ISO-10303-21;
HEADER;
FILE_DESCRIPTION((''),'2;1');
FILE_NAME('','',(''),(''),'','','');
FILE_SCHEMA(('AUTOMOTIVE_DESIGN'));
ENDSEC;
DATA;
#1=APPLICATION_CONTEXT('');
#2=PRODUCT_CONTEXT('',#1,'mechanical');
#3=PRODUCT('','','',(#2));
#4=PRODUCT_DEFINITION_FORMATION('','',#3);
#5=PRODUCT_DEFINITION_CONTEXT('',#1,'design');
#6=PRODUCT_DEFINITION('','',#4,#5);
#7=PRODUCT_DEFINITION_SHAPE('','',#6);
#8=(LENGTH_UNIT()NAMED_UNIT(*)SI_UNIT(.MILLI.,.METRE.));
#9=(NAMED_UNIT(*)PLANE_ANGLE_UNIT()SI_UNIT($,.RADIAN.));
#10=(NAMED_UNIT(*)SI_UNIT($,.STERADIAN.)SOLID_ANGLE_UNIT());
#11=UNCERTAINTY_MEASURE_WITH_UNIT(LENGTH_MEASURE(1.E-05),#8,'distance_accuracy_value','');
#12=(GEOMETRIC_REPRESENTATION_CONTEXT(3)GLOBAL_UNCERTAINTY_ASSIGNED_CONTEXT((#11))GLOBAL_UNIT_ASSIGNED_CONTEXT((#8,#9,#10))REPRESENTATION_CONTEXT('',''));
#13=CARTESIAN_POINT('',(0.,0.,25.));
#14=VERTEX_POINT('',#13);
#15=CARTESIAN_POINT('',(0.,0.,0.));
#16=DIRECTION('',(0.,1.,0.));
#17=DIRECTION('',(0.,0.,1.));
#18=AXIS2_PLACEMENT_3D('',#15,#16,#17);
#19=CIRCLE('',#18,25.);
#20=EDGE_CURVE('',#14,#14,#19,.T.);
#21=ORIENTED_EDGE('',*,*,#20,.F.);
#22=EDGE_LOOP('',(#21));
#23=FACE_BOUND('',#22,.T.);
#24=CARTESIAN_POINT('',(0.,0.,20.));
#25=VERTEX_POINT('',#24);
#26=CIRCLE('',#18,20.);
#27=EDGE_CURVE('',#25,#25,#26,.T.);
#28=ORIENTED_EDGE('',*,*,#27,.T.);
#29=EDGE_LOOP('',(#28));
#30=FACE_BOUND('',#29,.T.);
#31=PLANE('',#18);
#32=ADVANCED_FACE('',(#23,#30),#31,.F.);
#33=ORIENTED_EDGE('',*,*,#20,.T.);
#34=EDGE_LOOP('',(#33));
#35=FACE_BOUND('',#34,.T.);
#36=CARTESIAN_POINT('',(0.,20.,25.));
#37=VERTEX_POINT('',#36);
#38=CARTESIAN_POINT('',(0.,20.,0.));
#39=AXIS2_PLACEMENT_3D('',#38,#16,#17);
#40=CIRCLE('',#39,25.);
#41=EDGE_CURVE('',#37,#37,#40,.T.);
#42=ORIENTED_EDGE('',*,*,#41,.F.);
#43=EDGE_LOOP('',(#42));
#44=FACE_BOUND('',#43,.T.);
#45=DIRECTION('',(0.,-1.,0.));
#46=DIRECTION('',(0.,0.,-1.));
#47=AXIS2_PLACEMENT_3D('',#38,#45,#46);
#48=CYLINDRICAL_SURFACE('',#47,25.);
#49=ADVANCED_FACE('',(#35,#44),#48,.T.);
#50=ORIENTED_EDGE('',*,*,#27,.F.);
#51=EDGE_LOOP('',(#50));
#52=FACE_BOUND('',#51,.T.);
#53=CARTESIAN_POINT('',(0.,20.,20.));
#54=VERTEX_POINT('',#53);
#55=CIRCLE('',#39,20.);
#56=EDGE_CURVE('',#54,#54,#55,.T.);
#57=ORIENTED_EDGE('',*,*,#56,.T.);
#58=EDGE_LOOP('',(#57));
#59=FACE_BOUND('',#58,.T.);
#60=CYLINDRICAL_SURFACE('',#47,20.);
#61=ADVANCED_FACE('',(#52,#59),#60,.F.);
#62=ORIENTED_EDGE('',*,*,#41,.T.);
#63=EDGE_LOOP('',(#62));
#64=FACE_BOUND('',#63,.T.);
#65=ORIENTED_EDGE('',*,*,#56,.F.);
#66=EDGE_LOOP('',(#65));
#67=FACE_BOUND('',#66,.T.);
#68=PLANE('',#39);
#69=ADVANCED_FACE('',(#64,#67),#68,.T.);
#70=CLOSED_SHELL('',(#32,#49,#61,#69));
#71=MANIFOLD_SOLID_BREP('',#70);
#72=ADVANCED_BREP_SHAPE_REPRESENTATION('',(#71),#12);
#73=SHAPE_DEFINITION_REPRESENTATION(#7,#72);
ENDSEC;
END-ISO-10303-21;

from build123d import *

# Parameters (mm, degrees)
SKETCH3_R           = 25
SKETCH3_R_2         = 20
BOSS_EXTRUDE1_DEPTH = 20


with BuildPart() as part:
    # Sketch3 → Boss-Extrude1 (new body)
    with BuildSketch(Plane(origin=(0, 0, 0), x_dir=(1, 0, 0), z_dir=(0, 1, 0))):
        Circle(SKETCH3_R)
        Circle(SKETCH3_R_2, mode=Mode.SUBTRACT)
    extrude(amount=BOSS_EXTRUDE1_DEPTH)


solid = part.part
